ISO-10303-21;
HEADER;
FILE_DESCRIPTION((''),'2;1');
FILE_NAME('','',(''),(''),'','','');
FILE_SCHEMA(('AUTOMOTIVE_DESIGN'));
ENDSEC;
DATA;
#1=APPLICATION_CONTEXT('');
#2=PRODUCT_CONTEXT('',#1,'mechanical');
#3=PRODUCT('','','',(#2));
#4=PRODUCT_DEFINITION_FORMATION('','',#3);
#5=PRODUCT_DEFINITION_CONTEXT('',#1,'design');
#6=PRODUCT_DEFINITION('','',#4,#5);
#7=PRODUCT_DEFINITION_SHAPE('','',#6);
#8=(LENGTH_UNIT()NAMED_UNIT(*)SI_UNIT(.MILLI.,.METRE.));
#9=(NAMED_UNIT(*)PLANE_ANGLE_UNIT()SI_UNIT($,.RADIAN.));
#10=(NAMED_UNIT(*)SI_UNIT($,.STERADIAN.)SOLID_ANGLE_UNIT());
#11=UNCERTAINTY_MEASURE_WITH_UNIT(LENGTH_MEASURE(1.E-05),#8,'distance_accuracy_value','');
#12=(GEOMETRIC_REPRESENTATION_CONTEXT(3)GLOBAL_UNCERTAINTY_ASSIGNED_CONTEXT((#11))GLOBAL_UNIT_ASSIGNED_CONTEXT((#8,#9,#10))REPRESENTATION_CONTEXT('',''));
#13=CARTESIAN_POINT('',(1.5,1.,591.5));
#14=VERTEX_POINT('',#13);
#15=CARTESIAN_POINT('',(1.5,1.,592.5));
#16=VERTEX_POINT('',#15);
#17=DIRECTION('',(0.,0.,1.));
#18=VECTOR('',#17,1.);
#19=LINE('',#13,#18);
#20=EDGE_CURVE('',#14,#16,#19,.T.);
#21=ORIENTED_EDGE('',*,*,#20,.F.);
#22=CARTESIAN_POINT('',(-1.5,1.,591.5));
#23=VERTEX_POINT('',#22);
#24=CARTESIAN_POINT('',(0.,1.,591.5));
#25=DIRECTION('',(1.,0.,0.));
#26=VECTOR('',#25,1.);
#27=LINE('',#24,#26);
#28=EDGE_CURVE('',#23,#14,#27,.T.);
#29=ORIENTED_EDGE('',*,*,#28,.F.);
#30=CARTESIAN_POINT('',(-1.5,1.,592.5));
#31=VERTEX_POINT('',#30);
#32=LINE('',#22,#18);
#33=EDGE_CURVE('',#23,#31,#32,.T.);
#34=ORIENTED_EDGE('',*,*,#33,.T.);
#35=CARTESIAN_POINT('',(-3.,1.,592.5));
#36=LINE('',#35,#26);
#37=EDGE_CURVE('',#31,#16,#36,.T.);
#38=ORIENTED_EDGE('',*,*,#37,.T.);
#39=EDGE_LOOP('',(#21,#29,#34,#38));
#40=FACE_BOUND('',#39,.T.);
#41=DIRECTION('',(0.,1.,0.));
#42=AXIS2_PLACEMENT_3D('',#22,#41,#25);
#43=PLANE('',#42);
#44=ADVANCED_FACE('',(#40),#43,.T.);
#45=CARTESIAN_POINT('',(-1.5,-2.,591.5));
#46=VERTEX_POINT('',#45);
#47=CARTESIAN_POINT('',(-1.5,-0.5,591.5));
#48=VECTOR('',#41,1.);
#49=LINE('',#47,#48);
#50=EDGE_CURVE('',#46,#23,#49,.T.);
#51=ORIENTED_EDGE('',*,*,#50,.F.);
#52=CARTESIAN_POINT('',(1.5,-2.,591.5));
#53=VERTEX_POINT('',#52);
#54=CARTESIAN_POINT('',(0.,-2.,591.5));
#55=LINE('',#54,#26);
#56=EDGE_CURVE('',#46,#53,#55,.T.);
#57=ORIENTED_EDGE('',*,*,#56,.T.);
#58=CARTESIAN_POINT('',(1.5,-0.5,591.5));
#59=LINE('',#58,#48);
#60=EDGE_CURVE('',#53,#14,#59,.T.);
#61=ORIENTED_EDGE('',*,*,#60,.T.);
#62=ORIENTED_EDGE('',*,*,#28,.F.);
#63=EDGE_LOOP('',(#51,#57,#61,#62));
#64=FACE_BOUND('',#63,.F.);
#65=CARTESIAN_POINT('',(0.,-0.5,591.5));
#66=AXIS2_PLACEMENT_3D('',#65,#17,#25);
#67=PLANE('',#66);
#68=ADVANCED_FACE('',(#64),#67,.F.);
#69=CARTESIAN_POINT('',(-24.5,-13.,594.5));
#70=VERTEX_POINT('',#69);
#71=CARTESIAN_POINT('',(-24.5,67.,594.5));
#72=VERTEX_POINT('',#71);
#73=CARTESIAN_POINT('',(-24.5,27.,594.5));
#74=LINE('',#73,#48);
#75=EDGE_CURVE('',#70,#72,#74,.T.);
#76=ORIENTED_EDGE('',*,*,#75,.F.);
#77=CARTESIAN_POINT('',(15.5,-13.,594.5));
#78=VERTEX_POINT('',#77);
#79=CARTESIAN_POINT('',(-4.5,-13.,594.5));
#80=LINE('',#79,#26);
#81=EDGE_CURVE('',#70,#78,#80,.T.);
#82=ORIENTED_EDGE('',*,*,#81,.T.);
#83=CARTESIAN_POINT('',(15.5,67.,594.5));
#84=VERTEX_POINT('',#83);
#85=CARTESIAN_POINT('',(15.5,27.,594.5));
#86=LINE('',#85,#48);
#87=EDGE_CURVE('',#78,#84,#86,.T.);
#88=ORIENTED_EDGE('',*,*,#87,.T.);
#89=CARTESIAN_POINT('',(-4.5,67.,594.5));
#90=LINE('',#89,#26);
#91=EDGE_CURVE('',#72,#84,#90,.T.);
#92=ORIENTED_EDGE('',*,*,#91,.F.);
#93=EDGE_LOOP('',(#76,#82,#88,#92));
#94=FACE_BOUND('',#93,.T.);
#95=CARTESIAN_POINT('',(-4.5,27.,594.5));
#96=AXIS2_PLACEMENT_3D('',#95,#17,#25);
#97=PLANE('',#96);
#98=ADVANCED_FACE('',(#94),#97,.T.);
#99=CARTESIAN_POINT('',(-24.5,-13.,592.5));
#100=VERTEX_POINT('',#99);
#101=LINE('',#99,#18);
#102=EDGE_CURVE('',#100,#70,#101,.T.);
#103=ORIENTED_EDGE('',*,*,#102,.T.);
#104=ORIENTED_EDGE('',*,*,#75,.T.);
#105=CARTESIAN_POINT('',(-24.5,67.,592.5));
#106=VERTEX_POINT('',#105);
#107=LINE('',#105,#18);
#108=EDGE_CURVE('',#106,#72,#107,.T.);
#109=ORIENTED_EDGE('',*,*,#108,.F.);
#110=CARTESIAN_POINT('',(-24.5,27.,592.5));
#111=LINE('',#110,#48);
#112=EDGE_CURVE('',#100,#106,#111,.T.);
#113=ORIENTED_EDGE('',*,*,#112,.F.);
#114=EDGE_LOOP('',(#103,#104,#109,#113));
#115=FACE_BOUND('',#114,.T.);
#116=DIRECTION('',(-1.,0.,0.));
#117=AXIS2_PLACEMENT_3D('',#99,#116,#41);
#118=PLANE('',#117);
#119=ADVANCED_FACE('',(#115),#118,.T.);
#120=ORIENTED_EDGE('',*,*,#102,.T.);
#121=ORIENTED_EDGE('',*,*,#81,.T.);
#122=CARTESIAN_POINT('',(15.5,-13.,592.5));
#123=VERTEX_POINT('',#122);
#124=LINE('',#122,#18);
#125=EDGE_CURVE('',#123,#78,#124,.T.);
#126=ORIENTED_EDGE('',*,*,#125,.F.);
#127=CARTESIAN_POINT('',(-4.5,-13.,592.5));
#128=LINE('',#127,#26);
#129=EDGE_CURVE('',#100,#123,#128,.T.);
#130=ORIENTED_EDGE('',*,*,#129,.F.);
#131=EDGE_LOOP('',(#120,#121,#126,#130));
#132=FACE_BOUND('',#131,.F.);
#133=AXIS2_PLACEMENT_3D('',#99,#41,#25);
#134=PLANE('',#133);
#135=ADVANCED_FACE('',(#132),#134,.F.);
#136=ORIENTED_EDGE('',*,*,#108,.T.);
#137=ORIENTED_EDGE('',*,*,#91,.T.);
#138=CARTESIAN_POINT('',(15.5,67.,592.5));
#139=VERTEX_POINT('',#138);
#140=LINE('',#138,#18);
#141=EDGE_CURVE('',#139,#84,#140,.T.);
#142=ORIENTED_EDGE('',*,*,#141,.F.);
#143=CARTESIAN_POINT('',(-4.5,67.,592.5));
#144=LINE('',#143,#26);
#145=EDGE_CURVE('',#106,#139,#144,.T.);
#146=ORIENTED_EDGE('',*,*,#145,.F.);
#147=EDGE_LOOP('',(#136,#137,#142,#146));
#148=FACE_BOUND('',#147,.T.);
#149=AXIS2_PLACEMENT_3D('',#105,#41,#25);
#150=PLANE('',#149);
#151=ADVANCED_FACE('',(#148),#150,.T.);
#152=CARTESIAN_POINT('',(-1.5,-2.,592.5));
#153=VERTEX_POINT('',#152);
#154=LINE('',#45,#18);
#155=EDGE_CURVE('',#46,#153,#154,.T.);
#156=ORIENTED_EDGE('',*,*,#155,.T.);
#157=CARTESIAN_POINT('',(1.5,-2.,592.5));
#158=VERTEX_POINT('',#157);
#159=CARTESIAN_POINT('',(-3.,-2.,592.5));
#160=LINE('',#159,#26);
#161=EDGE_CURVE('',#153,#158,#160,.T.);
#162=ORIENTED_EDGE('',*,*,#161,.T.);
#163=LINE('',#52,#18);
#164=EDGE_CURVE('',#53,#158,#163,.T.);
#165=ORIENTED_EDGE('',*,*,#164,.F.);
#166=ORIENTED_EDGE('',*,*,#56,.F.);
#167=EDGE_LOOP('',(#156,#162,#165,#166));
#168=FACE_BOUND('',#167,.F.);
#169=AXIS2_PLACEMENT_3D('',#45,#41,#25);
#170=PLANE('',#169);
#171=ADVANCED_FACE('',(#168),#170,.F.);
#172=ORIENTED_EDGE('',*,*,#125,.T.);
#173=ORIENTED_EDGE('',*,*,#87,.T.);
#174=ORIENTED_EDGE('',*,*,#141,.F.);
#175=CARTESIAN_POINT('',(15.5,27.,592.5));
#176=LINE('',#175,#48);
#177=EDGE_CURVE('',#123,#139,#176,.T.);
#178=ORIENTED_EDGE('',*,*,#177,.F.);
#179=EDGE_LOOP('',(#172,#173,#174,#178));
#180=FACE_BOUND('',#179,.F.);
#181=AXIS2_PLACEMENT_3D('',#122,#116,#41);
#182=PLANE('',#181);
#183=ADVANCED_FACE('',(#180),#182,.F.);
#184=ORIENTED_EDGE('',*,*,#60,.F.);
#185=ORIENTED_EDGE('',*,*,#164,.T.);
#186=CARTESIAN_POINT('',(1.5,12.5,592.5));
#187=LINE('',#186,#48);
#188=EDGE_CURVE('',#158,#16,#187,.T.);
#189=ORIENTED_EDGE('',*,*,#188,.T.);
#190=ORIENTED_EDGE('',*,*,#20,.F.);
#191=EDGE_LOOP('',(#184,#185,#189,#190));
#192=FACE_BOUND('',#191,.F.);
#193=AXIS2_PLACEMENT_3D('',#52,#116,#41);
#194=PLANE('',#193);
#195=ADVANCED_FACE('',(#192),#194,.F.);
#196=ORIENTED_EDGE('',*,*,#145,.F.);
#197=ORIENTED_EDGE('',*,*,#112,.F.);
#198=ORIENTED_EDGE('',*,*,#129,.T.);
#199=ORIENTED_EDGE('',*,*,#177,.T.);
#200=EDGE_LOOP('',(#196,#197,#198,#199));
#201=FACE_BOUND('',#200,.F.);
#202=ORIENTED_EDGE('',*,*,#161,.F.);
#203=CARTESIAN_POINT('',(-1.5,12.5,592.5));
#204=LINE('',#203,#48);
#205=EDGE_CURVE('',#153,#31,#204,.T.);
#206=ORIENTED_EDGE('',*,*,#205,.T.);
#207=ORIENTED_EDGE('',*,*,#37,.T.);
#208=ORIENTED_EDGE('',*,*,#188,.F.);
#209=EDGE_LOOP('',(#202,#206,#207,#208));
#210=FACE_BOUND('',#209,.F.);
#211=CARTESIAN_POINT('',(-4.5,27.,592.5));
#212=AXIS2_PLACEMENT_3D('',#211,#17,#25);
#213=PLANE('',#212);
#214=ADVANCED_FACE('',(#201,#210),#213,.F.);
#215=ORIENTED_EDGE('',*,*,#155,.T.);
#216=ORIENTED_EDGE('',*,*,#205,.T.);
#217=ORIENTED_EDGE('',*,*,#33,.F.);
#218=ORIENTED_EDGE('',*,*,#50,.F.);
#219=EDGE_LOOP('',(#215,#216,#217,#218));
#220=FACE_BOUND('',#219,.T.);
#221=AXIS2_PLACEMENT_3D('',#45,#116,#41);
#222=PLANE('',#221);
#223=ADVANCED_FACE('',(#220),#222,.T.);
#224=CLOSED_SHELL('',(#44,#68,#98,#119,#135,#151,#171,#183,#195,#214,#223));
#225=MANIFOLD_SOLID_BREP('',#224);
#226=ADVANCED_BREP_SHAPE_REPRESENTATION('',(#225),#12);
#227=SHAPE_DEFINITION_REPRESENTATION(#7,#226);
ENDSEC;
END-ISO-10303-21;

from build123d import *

# Parameters (mm, degrees)
BOX008_W     = 40
BOX008_H     = 80
BOX008_DEPTH = 2
BOX009_W     = 3
BOX009_H     = 3
BOX009_DEPTH = 2


with BuildPart() as sipmpcb:
    # Box008 → Box008 (new body)
    with BuildSketch(Plane(origin=(-24.5, -13, 597.5), x_dir=(1, 0, 0), z_dir=(0, 0, 1))):
        with Locations((20, 40)):
            Rectangle(BOX008_W, BOX008_H)
    extrude(amount=BOX008_DEPTH)


with BuildPart() as pcb:
    # Box009 → Box009 (new body)
    with BuildSketch(Plane(origin=(-1.5, -2, 596.5), x_dir=(1, 0, 0), z_dir=(0, 0, 1))):
        with Locations((1.5, 1.5)):
            Rectangle(BOX009_W, BOX009_H)
    extrude(amount=BOX009_DEPTH)

    # Fusion006: union SiPMPCB
    add(sipmpcb.part)


with BuildPart() as pcb_1:
    # Fusion006 placement: moved
    add(pcb.part.moved(Location((0, 0, -5))))


solid = pcb_1.part
